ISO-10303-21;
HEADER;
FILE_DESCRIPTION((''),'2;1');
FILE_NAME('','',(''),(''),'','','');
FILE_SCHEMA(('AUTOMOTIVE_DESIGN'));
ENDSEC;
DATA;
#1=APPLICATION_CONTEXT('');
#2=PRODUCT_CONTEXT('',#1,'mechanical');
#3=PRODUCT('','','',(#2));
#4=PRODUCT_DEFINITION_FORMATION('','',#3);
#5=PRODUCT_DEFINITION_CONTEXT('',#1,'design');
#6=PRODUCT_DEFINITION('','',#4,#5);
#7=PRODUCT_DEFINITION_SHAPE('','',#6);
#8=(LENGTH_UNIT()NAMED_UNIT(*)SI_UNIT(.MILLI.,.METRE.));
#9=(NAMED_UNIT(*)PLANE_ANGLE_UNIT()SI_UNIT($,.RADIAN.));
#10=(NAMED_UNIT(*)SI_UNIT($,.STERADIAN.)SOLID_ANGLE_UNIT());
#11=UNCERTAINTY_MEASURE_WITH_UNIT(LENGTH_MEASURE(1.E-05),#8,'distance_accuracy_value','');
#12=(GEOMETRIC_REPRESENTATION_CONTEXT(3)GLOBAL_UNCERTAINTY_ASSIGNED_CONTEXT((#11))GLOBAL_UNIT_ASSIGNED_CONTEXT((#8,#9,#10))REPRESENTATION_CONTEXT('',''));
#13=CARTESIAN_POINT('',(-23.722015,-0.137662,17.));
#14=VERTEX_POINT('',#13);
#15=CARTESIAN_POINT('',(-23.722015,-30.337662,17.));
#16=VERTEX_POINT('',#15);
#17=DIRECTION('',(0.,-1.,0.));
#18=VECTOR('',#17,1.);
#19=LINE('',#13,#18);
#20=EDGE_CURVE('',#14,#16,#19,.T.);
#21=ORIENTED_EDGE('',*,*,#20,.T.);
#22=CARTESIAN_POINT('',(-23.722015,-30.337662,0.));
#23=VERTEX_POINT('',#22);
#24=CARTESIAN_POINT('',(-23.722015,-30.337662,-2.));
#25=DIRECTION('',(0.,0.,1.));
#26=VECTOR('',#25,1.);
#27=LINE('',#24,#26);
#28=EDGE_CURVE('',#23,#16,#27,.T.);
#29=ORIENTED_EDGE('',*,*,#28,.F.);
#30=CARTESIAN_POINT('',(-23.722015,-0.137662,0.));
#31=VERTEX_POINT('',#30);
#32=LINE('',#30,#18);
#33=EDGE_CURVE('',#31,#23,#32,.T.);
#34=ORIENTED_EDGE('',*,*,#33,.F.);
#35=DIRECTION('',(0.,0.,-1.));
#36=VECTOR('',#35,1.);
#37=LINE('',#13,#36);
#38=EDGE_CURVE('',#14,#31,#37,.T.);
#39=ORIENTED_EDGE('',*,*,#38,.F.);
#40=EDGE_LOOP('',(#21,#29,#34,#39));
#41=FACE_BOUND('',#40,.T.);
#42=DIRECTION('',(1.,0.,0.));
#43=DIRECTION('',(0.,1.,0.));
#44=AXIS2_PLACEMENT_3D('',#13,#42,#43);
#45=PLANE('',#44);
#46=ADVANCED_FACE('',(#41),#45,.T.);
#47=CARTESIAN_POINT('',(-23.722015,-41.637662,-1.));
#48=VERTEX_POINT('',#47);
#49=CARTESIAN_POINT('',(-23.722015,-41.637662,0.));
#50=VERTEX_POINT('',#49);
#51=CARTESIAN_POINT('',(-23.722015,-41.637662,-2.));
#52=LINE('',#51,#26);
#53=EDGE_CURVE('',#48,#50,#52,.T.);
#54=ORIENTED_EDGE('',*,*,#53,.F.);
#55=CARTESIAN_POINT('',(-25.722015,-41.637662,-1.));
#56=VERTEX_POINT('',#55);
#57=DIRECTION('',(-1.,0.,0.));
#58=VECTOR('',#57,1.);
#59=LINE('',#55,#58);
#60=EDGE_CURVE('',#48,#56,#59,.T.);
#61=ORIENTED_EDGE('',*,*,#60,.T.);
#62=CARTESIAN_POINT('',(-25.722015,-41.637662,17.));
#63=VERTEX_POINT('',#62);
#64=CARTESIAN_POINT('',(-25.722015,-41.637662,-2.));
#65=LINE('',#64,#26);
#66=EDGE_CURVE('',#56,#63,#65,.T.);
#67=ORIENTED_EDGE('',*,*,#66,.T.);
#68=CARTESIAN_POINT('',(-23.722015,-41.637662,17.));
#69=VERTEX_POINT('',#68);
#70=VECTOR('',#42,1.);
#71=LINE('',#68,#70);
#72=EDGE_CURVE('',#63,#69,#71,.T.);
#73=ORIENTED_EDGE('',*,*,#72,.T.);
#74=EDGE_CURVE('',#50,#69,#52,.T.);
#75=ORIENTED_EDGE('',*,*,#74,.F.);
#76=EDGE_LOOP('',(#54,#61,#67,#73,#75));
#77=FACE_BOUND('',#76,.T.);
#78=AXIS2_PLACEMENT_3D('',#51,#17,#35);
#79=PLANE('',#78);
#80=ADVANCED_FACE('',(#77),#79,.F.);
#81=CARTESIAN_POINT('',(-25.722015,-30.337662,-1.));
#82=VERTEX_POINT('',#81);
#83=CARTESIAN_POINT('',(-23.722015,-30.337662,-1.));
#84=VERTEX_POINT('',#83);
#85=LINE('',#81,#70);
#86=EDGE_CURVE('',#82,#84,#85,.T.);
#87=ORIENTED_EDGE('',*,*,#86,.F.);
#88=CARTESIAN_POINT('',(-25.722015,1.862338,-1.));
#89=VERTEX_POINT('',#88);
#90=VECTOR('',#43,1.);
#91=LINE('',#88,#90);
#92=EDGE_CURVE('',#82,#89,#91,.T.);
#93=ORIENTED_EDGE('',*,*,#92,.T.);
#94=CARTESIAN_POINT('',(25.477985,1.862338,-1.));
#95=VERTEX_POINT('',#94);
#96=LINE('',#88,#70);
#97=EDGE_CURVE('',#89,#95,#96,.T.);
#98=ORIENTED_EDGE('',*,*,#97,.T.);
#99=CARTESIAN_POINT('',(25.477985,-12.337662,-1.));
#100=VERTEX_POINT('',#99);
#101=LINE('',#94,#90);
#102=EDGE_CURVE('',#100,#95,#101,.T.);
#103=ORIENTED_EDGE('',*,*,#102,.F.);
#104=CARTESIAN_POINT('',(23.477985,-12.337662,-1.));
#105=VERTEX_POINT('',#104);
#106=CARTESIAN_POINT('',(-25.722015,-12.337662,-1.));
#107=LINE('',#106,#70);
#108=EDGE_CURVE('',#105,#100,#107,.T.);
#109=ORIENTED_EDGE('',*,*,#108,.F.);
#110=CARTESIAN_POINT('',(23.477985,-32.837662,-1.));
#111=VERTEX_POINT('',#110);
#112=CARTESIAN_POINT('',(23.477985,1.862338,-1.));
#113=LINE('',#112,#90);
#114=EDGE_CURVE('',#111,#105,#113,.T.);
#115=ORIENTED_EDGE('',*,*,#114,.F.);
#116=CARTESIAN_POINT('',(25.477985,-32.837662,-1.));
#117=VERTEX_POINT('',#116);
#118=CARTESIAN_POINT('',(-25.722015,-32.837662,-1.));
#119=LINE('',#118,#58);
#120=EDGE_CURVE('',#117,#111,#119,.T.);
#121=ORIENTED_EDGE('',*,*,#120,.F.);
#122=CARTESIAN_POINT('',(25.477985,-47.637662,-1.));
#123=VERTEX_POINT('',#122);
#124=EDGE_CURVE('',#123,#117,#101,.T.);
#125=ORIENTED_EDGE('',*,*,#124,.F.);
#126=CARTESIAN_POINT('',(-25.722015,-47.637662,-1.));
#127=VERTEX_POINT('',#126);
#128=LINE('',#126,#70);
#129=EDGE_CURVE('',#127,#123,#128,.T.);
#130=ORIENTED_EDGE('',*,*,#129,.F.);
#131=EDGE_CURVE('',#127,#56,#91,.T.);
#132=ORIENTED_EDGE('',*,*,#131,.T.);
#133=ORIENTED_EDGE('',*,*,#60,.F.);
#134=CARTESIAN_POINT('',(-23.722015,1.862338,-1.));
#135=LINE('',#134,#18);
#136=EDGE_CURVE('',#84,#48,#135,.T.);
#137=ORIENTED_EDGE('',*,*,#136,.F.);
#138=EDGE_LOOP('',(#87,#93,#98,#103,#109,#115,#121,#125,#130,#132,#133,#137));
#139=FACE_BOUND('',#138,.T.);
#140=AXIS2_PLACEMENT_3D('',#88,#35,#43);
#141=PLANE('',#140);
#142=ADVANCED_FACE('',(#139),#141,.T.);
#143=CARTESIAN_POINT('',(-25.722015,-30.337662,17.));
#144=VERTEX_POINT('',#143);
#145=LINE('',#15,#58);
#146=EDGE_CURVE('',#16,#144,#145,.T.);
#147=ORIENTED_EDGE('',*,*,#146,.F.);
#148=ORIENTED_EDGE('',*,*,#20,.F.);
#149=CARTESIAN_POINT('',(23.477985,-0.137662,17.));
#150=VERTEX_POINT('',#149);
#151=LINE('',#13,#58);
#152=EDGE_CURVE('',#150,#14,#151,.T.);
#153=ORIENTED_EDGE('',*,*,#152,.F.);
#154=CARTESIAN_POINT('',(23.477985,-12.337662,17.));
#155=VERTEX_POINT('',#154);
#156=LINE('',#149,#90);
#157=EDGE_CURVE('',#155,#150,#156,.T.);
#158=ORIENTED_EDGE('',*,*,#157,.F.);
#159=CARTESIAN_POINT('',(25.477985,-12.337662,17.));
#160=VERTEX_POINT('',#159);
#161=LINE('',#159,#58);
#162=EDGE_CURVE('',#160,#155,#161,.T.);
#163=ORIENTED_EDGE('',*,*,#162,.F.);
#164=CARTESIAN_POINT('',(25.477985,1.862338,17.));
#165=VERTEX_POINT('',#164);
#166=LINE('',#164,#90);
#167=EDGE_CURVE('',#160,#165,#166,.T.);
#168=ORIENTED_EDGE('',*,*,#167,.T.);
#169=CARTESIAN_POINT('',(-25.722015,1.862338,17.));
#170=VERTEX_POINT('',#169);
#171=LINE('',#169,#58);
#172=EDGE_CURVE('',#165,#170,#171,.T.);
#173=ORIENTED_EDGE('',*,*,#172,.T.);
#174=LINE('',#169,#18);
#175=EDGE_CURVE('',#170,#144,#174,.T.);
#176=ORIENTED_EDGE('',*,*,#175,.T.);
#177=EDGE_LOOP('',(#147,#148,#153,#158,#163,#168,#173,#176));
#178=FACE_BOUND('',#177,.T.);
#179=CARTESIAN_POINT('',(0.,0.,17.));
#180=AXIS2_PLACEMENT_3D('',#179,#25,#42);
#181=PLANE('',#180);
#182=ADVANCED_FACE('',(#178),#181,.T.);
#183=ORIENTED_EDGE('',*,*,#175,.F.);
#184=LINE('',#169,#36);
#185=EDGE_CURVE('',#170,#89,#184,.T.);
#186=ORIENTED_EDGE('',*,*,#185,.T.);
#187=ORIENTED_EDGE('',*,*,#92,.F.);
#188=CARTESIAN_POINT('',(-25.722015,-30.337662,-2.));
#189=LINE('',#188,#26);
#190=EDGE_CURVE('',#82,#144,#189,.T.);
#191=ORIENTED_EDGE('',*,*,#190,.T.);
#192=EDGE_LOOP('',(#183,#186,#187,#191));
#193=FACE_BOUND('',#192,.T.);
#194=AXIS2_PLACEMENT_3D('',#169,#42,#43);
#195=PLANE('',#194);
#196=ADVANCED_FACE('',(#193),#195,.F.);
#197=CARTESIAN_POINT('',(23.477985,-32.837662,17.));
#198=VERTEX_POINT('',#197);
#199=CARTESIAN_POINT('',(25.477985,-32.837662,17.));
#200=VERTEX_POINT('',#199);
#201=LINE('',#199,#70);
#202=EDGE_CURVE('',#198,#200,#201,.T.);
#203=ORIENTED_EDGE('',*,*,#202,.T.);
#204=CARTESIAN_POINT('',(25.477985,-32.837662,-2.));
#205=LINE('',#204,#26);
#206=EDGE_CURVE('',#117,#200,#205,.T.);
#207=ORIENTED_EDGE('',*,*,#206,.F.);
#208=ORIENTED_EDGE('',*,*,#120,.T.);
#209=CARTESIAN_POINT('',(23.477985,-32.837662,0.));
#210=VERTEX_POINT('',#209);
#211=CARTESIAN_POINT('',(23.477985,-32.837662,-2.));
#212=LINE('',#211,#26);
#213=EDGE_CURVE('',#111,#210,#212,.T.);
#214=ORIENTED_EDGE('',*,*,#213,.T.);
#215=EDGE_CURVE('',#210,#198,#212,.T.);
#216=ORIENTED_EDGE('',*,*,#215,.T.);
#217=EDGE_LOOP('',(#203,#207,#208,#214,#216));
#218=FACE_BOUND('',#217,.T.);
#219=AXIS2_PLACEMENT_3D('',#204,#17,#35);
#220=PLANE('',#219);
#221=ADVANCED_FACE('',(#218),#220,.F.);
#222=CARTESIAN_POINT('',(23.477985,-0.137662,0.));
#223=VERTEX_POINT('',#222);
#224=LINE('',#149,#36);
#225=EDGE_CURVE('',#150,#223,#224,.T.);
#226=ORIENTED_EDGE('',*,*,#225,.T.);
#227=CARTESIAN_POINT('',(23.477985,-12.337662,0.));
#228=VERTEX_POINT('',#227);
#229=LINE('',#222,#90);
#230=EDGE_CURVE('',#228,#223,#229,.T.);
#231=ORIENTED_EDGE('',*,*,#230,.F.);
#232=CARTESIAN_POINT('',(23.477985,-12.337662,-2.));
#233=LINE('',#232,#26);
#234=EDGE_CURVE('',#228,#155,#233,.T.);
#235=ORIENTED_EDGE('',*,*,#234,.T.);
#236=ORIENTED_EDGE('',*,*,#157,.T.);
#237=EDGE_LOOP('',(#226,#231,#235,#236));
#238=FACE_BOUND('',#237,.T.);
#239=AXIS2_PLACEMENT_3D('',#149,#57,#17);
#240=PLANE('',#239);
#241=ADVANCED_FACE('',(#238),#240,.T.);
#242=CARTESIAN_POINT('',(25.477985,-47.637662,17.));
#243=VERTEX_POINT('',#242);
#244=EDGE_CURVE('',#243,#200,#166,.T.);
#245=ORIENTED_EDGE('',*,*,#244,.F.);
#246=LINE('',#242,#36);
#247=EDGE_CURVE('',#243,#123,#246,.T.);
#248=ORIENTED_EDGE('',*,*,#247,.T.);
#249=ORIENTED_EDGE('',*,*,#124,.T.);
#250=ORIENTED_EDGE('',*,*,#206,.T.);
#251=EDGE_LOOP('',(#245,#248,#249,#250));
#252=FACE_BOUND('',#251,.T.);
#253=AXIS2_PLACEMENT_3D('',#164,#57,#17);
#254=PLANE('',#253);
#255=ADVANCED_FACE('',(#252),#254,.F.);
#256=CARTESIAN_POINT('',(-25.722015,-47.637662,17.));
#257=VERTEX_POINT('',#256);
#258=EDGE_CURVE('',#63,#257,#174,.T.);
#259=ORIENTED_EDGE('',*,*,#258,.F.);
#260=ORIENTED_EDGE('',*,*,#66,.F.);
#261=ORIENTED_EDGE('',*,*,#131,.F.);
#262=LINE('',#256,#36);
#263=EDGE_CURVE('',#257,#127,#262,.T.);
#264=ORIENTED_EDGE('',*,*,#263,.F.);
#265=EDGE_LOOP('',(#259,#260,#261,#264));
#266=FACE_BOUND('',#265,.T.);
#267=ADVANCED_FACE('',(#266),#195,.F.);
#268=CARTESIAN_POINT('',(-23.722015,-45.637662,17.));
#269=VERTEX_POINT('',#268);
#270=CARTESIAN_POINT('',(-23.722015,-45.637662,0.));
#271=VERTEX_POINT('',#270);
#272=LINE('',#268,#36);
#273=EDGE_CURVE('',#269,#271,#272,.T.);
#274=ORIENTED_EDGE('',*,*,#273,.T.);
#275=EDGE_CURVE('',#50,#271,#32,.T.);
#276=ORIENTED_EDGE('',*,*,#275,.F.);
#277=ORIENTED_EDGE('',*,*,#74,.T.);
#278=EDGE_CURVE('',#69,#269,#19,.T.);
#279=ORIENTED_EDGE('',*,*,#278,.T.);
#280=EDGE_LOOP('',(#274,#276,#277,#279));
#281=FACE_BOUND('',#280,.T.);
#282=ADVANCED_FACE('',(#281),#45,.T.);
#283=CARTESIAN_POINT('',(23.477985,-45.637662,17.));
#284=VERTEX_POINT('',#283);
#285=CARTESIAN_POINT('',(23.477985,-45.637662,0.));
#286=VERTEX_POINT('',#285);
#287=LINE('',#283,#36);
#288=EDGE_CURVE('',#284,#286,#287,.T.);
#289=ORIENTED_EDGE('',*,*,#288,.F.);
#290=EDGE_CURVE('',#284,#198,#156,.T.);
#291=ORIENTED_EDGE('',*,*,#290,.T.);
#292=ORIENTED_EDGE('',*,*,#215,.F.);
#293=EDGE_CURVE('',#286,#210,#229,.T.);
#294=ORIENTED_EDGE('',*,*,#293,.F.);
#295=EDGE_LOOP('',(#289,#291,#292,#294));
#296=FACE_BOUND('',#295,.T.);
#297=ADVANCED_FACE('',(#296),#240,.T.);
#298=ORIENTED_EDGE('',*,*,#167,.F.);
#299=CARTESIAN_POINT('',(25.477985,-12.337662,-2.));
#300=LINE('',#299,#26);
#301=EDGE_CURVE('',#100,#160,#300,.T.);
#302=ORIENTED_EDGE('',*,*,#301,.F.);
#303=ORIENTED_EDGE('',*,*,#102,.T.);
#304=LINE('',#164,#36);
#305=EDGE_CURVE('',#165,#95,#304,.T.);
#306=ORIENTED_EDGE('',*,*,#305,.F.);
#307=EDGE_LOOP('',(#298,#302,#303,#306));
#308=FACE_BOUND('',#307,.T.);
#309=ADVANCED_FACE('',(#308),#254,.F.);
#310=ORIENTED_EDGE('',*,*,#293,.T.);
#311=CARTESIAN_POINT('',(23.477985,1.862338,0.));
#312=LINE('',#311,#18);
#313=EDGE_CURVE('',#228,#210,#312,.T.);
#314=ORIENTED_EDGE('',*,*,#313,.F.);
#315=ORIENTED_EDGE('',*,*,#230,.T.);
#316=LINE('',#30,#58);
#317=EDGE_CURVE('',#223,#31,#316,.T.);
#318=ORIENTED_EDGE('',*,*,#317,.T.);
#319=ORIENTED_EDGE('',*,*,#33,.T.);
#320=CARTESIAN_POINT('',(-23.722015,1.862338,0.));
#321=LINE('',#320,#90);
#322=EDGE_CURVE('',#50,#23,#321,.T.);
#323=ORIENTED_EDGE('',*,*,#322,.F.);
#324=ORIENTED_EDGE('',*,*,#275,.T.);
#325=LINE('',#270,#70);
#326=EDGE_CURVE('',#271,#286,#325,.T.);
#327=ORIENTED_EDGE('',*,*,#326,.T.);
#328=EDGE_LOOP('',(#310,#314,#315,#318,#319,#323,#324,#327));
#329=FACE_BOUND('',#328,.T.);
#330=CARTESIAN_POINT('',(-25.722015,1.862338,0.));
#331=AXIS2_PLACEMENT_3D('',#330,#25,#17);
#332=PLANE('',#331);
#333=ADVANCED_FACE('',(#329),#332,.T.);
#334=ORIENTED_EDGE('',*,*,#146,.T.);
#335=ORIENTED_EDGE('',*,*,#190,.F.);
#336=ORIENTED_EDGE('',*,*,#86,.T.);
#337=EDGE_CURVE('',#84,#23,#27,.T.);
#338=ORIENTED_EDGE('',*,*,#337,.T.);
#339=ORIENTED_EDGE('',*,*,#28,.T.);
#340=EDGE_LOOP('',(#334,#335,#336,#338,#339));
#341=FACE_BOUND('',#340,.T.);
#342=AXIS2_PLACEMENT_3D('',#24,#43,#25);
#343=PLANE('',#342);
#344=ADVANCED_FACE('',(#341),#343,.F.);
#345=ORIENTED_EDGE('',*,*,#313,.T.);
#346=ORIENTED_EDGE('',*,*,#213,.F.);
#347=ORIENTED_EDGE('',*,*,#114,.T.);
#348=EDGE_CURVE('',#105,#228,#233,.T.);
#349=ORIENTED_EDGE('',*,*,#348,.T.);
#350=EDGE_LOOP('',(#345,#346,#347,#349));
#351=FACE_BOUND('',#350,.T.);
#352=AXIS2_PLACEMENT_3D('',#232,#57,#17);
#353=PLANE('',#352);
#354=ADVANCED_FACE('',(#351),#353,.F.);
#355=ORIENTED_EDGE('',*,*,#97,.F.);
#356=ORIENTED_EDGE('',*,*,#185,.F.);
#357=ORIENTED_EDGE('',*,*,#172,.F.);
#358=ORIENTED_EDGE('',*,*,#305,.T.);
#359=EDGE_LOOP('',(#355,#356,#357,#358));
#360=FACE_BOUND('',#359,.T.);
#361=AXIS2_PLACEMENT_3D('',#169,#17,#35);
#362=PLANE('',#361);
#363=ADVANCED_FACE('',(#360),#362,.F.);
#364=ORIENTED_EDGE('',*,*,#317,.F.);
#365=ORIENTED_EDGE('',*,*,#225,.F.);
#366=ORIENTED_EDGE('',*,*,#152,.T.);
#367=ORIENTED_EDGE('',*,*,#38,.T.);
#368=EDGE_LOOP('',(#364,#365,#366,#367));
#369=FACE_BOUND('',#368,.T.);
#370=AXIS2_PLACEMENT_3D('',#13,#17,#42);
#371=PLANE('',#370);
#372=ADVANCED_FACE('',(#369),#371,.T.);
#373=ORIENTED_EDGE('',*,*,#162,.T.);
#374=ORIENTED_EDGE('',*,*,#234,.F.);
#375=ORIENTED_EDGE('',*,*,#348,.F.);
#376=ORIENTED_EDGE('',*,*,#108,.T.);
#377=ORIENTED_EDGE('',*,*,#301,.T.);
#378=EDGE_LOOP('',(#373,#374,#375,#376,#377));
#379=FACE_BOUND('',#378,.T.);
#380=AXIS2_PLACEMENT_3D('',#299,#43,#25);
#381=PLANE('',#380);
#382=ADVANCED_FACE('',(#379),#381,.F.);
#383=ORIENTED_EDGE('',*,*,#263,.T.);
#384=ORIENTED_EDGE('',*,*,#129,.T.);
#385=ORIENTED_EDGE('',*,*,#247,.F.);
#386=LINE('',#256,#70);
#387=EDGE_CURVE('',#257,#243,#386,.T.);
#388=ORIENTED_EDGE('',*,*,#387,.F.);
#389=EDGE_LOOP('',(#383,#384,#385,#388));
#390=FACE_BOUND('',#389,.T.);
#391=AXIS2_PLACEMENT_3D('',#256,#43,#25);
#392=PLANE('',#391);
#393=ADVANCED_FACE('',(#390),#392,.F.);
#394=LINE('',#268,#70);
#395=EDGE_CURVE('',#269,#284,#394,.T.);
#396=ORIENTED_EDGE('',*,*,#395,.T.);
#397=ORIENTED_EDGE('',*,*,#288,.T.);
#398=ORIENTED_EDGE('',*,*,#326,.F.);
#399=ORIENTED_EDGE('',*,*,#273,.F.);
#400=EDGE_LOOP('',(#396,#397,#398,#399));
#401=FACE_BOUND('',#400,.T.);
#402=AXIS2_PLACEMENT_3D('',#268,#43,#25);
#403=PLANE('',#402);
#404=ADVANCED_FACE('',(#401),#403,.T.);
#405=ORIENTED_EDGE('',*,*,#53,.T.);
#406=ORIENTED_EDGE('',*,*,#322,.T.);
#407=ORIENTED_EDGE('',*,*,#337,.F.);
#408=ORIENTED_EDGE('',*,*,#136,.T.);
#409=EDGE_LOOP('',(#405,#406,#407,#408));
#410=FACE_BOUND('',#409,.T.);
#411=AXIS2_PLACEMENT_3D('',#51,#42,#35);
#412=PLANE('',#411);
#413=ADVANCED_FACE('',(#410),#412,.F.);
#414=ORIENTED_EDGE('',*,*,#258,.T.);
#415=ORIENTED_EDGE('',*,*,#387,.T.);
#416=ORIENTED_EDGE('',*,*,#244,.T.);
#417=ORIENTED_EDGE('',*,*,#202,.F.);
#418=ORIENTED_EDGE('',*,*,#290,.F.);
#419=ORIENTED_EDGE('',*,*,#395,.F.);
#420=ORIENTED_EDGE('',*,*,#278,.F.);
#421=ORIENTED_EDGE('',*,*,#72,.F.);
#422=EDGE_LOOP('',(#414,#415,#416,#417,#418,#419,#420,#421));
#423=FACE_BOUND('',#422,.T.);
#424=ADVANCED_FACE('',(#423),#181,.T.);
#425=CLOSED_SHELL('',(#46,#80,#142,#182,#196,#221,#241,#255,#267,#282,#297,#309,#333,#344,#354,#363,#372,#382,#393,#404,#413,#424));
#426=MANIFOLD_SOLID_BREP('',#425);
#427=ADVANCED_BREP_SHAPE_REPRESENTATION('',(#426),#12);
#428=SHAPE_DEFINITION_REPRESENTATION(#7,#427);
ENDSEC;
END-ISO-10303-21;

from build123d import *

# Parameters (mm, degrees)
ESQUISSE1_W             = 51.2
ESQUISSE1_H             = 49.5
ESQUISSE1_W_2           = 47.2
ESQUISSE1_H_2           = 45.5
BOSS_EXTRU_1_DEPTH      = 17
ESQUISSE2_W             = 1
ESQUISSE2_H             = 49.5
BOSS_EXTRU_2_DEPTH      = 51.2
ESQUISSE3_W             = 2
ESQUISSE3_H             = 20.5
ESQUISSE3_H_2           = 11.3
ENL_V_MAT_EXTRU_2_DEPTH = 19


with BuildPart() as part:
    # Esquisse1 → Boss.-Extru.1 (new body)
    with BuildSketch(Plane.XY):
        with Locations((-0.122014971, -22.887662338)):
            Rectangle(ESQUISSE1_W, ESQUISSE1_H)
        with Locations((-0.122014971, -22.887662338)):
            Rectangle(ESQUISSE1_W_2, ESQUISSE1_H_2, mode=Mode.SUBTRACT)
    extrude(amount=BOSS_EXTRU_1_DEPTH)

    # Esquisse2 → Boss.-Extru.2 (add)
    with BuildSketch(Plane(origin=(25.477985029, 0, 0), x_dir=(0, 0, -1), z_dir=(1, 0, 0))):
        with Locations((0.5, -22.887662338)):
            Rectangle(ESQUISSE2_W, ESQUISSE2_H)
    extrude(amount=-BOSS_EXTRU_2_DEPTH)

    # Esquisse3 → Enlèv. mat.-Extru.2 (cut)
    with BuildSketch(Plane.XY.offset(17)):
        with Locations((24.477985029, -22.587662338)):
            Rectangle(ESQUISSE3_W, ESQUISSE3_H)
        with Locations((-24.722014971, -35.987662338)):
            Rectangle(ESQUISSE3_W, ESQUISSE3_H_2)
    extrude(amount=-ENL_V_MAT_EXTRU_2_DEPTH, mode=Mode.SUBTRACT)


solid = part.part
